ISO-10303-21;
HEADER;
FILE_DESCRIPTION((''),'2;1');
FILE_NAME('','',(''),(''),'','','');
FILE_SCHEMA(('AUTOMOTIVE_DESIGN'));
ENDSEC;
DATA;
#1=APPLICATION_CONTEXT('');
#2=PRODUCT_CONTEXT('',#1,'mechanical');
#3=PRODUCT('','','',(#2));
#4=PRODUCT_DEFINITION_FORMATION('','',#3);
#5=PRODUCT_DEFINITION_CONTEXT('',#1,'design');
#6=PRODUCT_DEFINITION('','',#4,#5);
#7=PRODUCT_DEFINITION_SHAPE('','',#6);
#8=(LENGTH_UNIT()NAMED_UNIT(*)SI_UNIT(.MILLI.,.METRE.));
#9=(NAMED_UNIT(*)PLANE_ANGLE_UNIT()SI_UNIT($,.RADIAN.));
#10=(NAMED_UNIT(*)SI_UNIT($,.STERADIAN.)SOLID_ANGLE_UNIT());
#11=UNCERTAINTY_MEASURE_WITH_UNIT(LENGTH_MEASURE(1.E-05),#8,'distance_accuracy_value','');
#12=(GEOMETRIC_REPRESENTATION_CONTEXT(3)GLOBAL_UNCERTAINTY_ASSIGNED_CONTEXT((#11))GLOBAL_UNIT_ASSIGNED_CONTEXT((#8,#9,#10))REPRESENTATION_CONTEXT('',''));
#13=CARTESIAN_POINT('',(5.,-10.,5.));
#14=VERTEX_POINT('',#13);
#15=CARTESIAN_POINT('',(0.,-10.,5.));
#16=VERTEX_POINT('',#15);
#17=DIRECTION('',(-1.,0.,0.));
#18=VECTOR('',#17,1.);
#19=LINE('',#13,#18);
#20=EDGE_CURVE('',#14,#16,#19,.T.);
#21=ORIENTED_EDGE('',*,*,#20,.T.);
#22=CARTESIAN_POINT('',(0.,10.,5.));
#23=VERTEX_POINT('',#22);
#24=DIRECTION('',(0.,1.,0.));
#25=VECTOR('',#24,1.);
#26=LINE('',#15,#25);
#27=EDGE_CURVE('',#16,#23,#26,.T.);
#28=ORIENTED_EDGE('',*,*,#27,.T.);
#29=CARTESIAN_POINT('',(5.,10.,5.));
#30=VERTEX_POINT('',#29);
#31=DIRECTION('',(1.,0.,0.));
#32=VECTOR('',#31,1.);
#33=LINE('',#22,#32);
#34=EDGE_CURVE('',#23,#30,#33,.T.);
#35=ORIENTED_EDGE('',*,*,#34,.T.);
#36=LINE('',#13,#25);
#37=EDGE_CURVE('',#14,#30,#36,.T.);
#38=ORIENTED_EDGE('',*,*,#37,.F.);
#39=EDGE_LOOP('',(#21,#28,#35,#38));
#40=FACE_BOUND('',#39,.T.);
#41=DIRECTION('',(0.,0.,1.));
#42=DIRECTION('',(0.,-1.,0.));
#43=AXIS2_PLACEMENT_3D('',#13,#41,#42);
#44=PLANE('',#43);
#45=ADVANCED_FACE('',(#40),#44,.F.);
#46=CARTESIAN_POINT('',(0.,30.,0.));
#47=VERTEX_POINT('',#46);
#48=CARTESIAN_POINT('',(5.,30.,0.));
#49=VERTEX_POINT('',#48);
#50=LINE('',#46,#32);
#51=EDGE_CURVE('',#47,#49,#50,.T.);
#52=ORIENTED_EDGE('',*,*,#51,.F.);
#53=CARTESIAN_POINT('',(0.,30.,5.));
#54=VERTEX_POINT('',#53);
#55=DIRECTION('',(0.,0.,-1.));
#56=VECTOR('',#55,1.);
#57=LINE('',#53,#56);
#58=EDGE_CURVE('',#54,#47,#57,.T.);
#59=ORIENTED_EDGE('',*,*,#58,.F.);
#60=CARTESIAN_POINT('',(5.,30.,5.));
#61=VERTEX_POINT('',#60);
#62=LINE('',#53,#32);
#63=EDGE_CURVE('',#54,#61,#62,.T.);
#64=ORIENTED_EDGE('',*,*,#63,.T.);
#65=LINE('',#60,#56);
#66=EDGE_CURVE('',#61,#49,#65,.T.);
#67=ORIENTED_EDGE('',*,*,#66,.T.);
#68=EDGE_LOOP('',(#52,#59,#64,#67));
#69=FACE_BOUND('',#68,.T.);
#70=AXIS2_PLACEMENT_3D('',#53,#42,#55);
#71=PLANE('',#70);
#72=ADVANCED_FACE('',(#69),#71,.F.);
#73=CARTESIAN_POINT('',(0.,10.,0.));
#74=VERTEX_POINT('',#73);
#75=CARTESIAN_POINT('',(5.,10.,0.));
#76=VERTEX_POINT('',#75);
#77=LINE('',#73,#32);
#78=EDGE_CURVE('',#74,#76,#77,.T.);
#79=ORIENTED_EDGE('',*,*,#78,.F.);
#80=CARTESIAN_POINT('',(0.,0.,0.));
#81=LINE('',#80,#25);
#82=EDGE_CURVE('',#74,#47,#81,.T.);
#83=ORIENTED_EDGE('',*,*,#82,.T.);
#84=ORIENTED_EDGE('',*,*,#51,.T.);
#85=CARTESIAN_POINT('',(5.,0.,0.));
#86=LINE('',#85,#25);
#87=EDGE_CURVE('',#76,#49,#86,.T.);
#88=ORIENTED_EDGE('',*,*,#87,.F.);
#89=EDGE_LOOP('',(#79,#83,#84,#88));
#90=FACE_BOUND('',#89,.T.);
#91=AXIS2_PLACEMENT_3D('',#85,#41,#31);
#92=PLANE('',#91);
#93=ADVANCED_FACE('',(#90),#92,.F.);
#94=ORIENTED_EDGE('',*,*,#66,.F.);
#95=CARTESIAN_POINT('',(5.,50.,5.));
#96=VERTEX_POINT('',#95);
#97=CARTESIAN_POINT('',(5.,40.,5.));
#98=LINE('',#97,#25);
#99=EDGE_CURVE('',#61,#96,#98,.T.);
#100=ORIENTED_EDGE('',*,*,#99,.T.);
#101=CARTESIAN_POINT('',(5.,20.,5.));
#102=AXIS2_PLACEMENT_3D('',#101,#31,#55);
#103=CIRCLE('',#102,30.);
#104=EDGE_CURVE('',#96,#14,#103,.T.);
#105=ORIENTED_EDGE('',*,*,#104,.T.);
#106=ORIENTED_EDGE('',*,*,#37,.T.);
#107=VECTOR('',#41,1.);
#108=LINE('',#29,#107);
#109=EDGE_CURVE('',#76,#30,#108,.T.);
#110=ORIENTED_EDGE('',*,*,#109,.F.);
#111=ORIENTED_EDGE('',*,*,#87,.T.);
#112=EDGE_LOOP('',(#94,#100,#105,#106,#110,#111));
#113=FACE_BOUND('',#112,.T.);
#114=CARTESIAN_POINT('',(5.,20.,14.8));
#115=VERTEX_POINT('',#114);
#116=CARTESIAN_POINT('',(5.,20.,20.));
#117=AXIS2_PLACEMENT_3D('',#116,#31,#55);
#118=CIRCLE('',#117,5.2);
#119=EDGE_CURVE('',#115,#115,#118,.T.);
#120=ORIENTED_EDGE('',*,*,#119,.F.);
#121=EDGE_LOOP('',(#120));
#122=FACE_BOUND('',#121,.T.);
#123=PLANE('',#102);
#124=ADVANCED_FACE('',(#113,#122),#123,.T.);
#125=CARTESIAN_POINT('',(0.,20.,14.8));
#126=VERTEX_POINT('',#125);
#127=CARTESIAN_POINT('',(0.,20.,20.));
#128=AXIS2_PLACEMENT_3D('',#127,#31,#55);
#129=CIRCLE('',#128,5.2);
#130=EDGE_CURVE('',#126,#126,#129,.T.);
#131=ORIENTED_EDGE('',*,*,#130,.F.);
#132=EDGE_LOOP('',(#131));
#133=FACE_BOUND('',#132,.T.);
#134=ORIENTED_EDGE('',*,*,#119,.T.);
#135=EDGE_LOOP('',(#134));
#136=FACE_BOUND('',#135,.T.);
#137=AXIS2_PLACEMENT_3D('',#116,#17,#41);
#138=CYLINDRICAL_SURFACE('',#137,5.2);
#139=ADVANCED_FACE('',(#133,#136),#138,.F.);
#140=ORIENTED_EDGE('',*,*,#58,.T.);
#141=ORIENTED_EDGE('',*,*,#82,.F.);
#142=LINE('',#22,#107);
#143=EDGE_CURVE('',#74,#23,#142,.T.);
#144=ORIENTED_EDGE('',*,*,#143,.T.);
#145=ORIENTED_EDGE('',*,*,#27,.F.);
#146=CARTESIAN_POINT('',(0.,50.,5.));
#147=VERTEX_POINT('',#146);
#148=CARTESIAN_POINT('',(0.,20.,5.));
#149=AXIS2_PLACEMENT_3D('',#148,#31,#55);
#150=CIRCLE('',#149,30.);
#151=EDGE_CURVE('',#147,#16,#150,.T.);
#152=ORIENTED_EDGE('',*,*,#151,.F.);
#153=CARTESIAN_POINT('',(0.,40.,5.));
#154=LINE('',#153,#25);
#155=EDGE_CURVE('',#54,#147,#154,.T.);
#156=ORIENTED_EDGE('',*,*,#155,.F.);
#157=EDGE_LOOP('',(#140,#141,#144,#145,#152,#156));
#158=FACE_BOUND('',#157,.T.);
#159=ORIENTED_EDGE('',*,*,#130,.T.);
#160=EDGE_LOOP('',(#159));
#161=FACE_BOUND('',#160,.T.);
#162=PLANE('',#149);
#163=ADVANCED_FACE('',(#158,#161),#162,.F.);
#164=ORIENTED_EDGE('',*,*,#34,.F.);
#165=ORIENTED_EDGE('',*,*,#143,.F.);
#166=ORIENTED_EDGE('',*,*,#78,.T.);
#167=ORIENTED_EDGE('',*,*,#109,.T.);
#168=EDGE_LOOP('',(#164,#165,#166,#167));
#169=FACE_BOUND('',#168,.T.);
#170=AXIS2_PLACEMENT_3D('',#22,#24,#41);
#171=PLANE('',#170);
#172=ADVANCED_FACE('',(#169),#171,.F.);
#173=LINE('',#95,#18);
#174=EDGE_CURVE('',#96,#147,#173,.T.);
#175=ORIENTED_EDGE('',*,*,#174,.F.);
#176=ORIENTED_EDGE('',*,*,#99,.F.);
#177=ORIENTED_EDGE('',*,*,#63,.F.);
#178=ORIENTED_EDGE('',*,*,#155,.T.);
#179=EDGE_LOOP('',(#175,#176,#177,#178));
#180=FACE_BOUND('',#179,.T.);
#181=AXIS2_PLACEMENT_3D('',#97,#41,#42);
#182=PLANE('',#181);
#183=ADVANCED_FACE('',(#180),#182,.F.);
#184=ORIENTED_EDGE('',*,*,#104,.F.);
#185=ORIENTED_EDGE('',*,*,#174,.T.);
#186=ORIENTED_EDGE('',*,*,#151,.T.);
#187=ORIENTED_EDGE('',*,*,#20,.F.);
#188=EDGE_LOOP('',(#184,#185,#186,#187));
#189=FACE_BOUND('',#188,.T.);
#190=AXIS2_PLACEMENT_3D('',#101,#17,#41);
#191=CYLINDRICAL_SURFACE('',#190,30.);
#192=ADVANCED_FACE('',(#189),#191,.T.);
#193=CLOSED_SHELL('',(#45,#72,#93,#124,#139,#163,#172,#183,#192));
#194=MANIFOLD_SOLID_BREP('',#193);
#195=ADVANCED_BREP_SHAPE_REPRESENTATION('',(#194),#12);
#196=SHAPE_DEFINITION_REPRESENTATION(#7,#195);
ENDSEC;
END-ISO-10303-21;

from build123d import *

# Parameters (mm, degrees)
SKETCH_1_R          = 5.2
EXTRUDE_1_DEPTH     = 5
SKETCH_2_W          = 5
SKETCH_2_H          = 10
CUT_EXTRUDE_1_DEPTH = 62.23724357


with BuildPart() as part:
    # Эскиз1 → Бобышка-Вытянуть1 (new body)
    with BuildSketch(Plane(origin=(0, 0, 0), x_dir=(0, 0, -1), z_dir=(1, 0, 0))):
        with BuildLine():
            Line((0, 0), (-5, 0))
            Line((-5, 0), (-5, -10))
            ThreePointArc((-5, -10), (-35, 20), (-5, 50))
            Line((-5, 50), (-5, 40))
            Line((-5, 40), (0, 40))
            Line((0, 40), (0, 0))
        make_face()
        with Locations((-20, 20)):
            Circle(SKETCH_1_R, mode=Mode.SUBTRACT)
    extrude(amount=EXTRUDE_1_DEPTH)

    # Эскиз2 → Вырез-Вытянуть1 (cut, through all)
    with BuildSketch(Plane(origin=(5, 0, 0), x_dir=(0, 0, -1), z_dir=(1, 0, 0))):
        with Locations((-2.5, 35)):
            Rectangle(SKETCH_2_W, SKETCH_2_H)
        with Locations((-2.5, 5)):
            Rectangle(SKETCH_2_W, SKETCH_2_H)
    extrude(amount=-CUT_EXTRUDE_1_DEPTH, mode=Mode.SUBTRACT)


solid = part.part
